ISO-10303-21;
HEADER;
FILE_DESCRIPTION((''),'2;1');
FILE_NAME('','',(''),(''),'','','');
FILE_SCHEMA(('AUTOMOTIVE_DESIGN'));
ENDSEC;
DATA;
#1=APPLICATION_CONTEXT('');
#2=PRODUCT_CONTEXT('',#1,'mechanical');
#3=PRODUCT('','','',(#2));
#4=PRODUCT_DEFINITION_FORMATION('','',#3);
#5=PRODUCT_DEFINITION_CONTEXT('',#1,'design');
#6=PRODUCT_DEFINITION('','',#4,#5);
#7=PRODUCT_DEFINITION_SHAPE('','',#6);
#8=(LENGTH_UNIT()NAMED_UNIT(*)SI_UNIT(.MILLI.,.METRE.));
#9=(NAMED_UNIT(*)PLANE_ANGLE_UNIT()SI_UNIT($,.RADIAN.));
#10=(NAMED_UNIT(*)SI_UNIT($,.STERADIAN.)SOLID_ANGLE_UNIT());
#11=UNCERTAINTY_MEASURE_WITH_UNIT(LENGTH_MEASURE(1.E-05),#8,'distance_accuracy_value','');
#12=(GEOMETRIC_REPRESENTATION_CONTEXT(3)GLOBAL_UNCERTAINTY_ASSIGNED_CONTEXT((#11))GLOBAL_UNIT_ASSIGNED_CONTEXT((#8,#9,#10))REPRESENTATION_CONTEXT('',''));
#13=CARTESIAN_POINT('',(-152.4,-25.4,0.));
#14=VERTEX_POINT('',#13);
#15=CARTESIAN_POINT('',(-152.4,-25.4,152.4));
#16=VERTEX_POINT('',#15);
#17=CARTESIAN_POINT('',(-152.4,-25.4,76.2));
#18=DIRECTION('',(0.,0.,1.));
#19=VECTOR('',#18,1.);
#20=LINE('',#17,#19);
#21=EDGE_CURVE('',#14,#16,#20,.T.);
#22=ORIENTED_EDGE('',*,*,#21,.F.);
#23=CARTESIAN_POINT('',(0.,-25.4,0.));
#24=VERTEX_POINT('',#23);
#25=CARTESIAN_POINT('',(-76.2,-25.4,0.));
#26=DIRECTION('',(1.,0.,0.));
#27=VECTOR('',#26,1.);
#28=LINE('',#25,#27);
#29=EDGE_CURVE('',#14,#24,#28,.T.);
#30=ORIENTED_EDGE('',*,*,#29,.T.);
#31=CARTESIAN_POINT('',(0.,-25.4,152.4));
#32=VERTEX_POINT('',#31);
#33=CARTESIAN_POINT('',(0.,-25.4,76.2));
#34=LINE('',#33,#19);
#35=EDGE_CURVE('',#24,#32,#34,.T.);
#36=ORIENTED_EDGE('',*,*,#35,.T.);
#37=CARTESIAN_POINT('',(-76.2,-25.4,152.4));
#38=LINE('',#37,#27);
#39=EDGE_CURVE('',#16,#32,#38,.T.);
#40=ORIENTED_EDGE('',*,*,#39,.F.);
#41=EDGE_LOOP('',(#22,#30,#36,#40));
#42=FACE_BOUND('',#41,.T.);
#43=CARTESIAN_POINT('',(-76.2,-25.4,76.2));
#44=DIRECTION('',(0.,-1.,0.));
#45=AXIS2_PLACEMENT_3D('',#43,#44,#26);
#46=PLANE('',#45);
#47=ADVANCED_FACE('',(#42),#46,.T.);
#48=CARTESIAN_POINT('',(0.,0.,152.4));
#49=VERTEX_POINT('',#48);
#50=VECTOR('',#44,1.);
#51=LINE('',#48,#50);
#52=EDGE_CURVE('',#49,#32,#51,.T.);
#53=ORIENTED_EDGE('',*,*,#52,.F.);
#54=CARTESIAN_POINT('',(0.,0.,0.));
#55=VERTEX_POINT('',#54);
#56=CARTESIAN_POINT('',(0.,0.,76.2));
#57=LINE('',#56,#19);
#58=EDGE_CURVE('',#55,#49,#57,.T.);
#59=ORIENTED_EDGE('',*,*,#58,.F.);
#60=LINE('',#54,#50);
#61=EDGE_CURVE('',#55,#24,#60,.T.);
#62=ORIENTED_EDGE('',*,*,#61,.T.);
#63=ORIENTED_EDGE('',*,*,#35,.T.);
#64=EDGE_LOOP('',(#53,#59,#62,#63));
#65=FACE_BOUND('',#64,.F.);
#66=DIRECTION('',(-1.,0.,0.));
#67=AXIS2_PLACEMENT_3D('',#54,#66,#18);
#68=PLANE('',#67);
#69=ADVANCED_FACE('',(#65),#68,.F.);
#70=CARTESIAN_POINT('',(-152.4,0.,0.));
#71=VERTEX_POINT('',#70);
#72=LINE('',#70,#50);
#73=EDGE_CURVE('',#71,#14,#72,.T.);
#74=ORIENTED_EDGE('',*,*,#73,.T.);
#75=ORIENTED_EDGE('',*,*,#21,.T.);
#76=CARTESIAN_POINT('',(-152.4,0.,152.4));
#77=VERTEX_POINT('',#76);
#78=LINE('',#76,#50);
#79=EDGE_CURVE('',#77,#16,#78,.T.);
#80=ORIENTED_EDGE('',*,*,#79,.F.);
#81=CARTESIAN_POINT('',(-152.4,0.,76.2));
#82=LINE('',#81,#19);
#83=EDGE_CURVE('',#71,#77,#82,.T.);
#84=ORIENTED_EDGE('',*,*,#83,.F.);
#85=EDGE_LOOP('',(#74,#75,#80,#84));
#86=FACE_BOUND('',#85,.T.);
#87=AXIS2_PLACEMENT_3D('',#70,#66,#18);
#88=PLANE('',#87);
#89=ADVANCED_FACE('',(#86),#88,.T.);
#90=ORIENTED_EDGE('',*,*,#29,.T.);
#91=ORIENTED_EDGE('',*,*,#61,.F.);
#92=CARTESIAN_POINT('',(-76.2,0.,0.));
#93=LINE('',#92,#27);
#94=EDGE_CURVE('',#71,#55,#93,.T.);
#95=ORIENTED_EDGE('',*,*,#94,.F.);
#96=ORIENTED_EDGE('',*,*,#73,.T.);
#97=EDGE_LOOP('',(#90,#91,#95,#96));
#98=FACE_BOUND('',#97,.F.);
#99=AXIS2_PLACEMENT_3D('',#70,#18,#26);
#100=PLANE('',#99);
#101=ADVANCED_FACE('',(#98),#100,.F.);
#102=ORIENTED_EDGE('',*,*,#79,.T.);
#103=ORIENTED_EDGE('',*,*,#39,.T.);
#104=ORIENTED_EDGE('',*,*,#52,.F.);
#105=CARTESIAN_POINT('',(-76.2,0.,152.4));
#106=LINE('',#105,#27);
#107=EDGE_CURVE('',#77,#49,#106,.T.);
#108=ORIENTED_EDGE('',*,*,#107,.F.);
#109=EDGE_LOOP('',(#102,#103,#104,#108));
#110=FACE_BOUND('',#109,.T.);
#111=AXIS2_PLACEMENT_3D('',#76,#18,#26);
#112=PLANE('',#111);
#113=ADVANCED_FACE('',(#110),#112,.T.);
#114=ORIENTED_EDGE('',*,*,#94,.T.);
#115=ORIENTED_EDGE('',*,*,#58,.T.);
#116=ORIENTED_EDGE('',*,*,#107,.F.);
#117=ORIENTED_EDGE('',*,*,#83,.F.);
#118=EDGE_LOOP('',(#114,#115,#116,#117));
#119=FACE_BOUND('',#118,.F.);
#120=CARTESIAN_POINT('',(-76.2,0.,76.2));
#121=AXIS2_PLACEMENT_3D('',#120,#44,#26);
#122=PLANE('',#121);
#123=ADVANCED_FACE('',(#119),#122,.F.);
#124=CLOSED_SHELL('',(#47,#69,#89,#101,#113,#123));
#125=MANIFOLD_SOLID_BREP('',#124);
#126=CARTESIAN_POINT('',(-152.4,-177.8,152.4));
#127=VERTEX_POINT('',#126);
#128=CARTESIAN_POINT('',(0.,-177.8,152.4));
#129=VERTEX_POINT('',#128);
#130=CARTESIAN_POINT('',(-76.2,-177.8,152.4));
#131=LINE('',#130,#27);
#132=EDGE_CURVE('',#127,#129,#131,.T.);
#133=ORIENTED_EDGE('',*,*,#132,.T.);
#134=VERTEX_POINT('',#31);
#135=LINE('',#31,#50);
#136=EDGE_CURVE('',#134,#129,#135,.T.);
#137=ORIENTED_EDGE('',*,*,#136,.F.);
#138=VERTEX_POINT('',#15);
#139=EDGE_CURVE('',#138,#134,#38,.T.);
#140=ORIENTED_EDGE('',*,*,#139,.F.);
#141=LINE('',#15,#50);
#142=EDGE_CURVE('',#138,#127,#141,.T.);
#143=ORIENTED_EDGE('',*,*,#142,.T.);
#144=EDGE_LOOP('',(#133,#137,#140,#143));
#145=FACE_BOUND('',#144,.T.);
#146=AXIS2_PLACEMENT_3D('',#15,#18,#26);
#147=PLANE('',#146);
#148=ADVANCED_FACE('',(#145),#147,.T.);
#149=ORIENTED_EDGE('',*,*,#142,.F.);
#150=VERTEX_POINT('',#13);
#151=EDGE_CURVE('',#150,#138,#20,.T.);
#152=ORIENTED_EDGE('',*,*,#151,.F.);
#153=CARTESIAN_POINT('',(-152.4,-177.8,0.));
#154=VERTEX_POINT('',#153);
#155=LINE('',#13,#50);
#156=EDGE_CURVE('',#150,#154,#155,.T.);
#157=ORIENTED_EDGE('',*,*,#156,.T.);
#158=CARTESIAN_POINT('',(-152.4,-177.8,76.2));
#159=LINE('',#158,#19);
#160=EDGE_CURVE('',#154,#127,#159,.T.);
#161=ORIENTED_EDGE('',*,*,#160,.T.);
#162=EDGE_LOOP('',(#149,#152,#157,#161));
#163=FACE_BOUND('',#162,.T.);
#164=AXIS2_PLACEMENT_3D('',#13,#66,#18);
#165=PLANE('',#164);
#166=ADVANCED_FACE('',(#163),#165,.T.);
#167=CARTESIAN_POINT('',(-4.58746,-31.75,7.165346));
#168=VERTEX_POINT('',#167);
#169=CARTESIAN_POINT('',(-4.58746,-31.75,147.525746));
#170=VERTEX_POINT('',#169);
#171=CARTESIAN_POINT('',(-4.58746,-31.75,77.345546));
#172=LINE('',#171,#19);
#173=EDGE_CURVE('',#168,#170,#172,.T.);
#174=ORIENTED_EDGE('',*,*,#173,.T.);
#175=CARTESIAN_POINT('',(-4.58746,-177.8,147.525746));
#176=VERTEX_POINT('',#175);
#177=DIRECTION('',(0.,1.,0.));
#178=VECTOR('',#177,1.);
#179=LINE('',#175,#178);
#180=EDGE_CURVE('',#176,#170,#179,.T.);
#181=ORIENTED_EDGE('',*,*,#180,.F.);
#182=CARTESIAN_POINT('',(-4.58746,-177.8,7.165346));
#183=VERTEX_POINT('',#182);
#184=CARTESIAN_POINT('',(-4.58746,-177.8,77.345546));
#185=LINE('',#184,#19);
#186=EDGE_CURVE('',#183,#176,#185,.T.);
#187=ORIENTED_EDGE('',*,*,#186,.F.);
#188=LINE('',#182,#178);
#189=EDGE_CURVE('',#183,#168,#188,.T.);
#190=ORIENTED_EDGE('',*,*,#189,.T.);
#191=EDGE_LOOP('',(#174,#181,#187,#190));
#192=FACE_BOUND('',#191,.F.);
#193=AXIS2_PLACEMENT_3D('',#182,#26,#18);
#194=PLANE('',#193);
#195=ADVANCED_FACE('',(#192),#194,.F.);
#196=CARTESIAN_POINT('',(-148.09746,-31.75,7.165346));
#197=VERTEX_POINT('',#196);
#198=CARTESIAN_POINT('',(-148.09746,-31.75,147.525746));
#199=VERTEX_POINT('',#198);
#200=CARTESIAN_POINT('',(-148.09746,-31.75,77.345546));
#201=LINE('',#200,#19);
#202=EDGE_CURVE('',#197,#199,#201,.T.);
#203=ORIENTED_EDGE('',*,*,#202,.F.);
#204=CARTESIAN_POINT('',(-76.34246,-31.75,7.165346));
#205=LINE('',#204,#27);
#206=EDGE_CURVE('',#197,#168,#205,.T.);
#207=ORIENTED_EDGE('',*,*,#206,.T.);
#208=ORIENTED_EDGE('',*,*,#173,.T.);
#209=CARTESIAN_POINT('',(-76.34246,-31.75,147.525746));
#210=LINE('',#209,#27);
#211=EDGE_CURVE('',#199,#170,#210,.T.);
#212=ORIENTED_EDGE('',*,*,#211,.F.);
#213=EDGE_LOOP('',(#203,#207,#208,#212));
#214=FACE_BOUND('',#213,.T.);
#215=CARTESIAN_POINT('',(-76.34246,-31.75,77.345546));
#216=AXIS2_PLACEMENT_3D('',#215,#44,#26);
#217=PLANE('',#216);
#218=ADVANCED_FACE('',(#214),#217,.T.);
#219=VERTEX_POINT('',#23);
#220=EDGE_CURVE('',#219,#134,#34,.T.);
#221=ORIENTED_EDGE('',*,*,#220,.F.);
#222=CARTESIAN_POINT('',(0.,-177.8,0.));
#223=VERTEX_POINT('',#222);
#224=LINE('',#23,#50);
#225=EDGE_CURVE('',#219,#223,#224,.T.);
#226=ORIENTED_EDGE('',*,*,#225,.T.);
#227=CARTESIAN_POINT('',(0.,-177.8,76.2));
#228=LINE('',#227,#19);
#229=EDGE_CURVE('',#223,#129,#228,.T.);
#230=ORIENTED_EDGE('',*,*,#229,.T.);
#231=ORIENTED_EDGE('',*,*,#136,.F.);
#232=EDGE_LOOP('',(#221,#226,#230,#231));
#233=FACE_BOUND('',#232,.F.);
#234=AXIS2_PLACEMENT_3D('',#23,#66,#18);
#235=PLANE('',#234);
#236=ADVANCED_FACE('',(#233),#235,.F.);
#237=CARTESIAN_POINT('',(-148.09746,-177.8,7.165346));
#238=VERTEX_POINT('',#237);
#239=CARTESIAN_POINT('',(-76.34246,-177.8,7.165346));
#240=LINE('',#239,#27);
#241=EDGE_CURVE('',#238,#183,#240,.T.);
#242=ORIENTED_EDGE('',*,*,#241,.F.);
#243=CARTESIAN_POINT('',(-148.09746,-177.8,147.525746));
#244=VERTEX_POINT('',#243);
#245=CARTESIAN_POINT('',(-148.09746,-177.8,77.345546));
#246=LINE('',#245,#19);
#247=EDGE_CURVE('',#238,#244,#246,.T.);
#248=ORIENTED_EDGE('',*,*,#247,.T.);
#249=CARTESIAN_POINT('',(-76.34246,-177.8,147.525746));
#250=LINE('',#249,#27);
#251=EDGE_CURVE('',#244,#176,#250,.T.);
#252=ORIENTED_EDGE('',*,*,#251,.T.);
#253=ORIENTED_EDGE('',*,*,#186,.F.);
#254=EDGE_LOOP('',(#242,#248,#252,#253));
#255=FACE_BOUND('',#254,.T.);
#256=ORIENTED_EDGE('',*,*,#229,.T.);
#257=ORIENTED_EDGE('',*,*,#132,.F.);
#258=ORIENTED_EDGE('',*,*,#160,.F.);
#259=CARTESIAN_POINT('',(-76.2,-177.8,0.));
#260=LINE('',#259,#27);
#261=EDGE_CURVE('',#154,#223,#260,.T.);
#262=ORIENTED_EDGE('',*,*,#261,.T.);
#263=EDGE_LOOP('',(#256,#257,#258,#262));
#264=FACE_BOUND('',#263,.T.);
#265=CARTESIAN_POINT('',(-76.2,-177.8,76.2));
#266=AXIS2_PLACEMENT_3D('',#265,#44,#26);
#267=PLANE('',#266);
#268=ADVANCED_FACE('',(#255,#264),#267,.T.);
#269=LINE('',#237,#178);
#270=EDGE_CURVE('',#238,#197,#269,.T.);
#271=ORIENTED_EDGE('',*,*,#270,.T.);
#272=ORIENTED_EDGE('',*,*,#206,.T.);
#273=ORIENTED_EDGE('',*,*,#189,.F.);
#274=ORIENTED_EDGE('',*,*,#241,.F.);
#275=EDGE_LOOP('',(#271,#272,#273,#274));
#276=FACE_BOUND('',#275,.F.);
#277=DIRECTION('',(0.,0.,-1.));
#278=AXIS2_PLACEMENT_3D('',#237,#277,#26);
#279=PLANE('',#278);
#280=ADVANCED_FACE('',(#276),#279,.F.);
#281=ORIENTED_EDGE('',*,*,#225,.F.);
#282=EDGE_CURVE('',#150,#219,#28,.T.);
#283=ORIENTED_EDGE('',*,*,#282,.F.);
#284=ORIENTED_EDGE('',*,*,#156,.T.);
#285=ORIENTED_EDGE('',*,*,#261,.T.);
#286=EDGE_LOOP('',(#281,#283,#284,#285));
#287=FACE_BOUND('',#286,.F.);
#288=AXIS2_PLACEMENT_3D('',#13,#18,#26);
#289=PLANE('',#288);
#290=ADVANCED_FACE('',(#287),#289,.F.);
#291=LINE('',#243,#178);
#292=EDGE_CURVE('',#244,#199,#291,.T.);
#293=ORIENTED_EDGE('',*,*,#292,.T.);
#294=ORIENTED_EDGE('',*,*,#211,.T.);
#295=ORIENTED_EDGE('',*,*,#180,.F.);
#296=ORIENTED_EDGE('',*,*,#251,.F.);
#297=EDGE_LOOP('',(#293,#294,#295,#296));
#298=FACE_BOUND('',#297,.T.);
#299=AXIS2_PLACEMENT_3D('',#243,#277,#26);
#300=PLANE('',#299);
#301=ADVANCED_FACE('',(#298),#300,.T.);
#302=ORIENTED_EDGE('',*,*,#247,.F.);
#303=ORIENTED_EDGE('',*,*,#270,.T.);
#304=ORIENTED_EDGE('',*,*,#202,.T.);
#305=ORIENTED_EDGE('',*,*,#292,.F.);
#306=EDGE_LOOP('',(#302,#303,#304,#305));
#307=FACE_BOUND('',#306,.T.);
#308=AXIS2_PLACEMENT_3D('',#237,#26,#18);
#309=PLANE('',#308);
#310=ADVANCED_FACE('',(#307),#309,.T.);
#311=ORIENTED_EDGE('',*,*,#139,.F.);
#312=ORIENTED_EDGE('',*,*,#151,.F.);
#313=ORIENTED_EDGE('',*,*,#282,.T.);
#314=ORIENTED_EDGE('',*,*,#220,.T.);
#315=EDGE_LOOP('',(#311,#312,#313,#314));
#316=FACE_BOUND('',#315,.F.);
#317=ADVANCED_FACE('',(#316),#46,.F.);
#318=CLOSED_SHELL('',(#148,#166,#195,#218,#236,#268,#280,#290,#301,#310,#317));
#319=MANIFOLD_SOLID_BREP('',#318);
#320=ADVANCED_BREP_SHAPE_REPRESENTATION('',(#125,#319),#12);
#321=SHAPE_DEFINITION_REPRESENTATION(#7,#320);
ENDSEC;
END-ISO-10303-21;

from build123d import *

# Parameters (mm, degrees)
F0_W      = 152.4
F0_H      = 152.4
F1_DEPTH  = 25.4
F1_FACE_W = 152.4
F1_FACE_H = 152.4
F2_DEPTH  = 152.4
F3_W      = 143.51
F3_H      = 140.3604
F4_DEPTH  = 146.05


with BuildPart() as f1:
    # F0 (on Front) → F1 (new body)
    with BuildSketch(Plane.XZ):
        with Locations((-76.2, 76.2)):
            Rectangle(F0_W, F0_H)
    extrude(amount=F1_DEPTH)


with BuildPart() as f2:
    # F1_face (on face) → F2 (new body)
    with BuildSketch(Plane(origin=(-76.2, -25.4, 76.2), x_dir=(1, 0, 0), z_dir=(0, -1, 0))):
        Rectangle(F1_FACE_W, F1_FACE_H)
    extrude(amount=F2_DEPTH)

    # F3 (on face) → F4 (cut)
    with BuildSketch(Plane.XZ.offset(177.8)):
        with Locations((-76.34246, 77.345546)):
            Rectangle(F3_W, F3_H)
    extrude(amount=-F4_DEPTH, mode=Mode.SUBTRACT)


solid = Compound([f1.part, f2.part])
